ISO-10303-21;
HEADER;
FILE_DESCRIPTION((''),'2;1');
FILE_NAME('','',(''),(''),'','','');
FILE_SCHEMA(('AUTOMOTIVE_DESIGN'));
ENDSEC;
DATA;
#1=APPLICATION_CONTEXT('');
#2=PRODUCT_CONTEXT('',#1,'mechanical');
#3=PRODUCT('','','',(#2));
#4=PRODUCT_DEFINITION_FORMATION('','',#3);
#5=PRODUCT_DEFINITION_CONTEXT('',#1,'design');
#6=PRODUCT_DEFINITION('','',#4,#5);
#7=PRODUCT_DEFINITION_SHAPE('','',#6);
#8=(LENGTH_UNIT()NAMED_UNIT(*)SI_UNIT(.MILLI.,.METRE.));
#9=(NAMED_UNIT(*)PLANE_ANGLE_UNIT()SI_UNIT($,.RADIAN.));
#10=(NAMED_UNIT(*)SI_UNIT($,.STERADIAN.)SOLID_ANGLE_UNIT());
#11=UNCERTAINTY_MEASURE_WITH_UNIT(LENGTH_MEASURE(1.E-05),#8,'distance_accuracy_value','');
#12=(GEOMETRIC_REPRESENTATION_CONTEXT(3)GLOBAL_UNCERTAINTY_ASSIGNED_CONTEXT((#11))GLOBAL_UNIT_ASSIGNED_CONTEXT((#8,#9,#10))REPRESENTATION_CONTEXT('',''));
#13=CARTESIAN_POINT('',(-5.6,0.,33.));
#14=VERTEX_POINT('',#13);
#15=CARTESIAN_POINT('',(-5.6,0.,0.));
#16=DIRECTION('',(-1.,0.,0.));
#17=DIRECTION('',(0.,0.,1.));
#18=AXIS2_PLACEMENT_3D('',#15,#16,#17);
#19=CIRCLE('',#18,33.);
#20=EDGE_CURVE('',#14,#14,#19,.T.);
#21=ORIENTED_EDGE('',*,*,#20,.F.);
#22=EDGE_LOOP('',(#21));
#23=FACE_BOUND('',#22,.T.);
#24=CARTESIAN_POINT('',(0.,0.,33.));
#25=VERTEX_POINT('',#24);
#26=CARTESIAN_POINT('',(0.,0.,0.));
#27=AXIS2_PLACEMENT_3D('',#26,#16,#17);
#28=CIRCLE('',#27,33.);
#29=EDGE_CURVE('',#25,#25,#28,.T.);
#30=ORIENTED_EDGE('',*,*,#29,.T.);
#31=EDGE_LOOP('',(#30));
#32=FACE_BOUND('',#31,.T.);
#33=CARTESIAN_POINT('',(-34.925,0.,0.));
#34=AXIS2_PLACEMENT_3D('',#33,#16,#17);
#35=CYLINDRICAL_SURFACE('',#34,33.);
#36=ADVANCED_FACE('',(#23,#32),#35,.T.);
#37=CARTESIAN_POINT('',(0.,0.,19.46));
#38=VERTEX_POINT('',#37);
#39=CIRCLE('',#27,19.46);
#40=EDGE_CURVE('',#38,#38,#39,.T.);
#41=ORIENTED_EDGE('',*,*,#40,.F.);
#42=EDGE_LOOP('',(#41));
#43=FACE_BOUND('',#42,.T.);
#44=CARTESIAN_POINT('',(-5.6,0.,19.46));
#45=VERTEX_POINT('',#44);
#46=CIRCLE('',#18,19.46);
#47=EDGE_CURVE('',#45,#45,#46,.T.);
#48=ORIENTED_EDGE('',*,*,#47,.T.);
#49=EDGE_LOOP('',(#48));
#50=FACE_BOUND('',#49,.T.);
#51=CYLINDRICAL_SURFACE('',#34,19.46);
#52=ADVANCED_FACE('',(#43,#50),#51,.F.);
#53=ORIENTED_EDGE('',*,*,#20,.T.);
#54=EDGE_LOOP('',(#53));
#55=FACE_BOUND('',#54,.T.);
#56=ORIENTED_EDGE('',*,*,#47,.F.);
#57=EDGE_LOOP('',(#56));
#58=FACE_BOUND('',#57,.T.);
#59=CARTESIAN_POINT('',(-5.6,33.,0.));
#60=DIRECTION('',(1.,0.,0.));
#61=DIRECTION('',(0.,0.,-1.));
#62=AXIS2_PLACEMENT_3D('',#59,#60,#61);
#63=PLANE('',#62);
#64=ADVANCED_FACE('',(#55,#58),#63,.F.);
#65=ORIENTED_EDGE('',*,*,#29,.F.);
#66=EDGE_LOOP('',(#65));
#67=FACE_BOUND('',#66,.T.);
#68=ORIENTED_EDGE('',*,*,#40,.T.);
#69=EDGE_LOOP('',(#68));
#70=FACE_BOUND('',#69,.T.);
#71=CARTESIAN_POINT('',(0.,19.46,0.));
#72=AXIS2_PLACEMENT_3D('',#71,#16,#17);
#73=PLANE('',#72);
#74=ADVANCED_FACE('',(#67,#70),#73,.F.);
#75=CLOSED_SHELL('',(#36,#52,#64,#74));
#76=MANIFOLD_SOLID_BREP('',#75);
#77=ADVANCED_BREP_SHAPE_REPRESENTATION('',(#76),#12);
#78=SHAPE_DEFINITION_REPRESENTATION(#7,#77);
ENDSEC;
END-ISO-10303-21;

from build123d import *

# Parameters (mm, degrees)
SKETCH1_W = 5.6
SKETCH1_H = 13.54


with BuildPart() as part:
    # Sketch1 → Base-Revolve (revolve)
    with BuildSketch(Plane.XY):
        with Locations((-2.8, 26.23)):
            Rectangle(SKETCH1_W, SKETCH1_H)
    revolve(axis=Axis((-34.925, 0, 0), (1, 0, 0)))


solid = part.part
